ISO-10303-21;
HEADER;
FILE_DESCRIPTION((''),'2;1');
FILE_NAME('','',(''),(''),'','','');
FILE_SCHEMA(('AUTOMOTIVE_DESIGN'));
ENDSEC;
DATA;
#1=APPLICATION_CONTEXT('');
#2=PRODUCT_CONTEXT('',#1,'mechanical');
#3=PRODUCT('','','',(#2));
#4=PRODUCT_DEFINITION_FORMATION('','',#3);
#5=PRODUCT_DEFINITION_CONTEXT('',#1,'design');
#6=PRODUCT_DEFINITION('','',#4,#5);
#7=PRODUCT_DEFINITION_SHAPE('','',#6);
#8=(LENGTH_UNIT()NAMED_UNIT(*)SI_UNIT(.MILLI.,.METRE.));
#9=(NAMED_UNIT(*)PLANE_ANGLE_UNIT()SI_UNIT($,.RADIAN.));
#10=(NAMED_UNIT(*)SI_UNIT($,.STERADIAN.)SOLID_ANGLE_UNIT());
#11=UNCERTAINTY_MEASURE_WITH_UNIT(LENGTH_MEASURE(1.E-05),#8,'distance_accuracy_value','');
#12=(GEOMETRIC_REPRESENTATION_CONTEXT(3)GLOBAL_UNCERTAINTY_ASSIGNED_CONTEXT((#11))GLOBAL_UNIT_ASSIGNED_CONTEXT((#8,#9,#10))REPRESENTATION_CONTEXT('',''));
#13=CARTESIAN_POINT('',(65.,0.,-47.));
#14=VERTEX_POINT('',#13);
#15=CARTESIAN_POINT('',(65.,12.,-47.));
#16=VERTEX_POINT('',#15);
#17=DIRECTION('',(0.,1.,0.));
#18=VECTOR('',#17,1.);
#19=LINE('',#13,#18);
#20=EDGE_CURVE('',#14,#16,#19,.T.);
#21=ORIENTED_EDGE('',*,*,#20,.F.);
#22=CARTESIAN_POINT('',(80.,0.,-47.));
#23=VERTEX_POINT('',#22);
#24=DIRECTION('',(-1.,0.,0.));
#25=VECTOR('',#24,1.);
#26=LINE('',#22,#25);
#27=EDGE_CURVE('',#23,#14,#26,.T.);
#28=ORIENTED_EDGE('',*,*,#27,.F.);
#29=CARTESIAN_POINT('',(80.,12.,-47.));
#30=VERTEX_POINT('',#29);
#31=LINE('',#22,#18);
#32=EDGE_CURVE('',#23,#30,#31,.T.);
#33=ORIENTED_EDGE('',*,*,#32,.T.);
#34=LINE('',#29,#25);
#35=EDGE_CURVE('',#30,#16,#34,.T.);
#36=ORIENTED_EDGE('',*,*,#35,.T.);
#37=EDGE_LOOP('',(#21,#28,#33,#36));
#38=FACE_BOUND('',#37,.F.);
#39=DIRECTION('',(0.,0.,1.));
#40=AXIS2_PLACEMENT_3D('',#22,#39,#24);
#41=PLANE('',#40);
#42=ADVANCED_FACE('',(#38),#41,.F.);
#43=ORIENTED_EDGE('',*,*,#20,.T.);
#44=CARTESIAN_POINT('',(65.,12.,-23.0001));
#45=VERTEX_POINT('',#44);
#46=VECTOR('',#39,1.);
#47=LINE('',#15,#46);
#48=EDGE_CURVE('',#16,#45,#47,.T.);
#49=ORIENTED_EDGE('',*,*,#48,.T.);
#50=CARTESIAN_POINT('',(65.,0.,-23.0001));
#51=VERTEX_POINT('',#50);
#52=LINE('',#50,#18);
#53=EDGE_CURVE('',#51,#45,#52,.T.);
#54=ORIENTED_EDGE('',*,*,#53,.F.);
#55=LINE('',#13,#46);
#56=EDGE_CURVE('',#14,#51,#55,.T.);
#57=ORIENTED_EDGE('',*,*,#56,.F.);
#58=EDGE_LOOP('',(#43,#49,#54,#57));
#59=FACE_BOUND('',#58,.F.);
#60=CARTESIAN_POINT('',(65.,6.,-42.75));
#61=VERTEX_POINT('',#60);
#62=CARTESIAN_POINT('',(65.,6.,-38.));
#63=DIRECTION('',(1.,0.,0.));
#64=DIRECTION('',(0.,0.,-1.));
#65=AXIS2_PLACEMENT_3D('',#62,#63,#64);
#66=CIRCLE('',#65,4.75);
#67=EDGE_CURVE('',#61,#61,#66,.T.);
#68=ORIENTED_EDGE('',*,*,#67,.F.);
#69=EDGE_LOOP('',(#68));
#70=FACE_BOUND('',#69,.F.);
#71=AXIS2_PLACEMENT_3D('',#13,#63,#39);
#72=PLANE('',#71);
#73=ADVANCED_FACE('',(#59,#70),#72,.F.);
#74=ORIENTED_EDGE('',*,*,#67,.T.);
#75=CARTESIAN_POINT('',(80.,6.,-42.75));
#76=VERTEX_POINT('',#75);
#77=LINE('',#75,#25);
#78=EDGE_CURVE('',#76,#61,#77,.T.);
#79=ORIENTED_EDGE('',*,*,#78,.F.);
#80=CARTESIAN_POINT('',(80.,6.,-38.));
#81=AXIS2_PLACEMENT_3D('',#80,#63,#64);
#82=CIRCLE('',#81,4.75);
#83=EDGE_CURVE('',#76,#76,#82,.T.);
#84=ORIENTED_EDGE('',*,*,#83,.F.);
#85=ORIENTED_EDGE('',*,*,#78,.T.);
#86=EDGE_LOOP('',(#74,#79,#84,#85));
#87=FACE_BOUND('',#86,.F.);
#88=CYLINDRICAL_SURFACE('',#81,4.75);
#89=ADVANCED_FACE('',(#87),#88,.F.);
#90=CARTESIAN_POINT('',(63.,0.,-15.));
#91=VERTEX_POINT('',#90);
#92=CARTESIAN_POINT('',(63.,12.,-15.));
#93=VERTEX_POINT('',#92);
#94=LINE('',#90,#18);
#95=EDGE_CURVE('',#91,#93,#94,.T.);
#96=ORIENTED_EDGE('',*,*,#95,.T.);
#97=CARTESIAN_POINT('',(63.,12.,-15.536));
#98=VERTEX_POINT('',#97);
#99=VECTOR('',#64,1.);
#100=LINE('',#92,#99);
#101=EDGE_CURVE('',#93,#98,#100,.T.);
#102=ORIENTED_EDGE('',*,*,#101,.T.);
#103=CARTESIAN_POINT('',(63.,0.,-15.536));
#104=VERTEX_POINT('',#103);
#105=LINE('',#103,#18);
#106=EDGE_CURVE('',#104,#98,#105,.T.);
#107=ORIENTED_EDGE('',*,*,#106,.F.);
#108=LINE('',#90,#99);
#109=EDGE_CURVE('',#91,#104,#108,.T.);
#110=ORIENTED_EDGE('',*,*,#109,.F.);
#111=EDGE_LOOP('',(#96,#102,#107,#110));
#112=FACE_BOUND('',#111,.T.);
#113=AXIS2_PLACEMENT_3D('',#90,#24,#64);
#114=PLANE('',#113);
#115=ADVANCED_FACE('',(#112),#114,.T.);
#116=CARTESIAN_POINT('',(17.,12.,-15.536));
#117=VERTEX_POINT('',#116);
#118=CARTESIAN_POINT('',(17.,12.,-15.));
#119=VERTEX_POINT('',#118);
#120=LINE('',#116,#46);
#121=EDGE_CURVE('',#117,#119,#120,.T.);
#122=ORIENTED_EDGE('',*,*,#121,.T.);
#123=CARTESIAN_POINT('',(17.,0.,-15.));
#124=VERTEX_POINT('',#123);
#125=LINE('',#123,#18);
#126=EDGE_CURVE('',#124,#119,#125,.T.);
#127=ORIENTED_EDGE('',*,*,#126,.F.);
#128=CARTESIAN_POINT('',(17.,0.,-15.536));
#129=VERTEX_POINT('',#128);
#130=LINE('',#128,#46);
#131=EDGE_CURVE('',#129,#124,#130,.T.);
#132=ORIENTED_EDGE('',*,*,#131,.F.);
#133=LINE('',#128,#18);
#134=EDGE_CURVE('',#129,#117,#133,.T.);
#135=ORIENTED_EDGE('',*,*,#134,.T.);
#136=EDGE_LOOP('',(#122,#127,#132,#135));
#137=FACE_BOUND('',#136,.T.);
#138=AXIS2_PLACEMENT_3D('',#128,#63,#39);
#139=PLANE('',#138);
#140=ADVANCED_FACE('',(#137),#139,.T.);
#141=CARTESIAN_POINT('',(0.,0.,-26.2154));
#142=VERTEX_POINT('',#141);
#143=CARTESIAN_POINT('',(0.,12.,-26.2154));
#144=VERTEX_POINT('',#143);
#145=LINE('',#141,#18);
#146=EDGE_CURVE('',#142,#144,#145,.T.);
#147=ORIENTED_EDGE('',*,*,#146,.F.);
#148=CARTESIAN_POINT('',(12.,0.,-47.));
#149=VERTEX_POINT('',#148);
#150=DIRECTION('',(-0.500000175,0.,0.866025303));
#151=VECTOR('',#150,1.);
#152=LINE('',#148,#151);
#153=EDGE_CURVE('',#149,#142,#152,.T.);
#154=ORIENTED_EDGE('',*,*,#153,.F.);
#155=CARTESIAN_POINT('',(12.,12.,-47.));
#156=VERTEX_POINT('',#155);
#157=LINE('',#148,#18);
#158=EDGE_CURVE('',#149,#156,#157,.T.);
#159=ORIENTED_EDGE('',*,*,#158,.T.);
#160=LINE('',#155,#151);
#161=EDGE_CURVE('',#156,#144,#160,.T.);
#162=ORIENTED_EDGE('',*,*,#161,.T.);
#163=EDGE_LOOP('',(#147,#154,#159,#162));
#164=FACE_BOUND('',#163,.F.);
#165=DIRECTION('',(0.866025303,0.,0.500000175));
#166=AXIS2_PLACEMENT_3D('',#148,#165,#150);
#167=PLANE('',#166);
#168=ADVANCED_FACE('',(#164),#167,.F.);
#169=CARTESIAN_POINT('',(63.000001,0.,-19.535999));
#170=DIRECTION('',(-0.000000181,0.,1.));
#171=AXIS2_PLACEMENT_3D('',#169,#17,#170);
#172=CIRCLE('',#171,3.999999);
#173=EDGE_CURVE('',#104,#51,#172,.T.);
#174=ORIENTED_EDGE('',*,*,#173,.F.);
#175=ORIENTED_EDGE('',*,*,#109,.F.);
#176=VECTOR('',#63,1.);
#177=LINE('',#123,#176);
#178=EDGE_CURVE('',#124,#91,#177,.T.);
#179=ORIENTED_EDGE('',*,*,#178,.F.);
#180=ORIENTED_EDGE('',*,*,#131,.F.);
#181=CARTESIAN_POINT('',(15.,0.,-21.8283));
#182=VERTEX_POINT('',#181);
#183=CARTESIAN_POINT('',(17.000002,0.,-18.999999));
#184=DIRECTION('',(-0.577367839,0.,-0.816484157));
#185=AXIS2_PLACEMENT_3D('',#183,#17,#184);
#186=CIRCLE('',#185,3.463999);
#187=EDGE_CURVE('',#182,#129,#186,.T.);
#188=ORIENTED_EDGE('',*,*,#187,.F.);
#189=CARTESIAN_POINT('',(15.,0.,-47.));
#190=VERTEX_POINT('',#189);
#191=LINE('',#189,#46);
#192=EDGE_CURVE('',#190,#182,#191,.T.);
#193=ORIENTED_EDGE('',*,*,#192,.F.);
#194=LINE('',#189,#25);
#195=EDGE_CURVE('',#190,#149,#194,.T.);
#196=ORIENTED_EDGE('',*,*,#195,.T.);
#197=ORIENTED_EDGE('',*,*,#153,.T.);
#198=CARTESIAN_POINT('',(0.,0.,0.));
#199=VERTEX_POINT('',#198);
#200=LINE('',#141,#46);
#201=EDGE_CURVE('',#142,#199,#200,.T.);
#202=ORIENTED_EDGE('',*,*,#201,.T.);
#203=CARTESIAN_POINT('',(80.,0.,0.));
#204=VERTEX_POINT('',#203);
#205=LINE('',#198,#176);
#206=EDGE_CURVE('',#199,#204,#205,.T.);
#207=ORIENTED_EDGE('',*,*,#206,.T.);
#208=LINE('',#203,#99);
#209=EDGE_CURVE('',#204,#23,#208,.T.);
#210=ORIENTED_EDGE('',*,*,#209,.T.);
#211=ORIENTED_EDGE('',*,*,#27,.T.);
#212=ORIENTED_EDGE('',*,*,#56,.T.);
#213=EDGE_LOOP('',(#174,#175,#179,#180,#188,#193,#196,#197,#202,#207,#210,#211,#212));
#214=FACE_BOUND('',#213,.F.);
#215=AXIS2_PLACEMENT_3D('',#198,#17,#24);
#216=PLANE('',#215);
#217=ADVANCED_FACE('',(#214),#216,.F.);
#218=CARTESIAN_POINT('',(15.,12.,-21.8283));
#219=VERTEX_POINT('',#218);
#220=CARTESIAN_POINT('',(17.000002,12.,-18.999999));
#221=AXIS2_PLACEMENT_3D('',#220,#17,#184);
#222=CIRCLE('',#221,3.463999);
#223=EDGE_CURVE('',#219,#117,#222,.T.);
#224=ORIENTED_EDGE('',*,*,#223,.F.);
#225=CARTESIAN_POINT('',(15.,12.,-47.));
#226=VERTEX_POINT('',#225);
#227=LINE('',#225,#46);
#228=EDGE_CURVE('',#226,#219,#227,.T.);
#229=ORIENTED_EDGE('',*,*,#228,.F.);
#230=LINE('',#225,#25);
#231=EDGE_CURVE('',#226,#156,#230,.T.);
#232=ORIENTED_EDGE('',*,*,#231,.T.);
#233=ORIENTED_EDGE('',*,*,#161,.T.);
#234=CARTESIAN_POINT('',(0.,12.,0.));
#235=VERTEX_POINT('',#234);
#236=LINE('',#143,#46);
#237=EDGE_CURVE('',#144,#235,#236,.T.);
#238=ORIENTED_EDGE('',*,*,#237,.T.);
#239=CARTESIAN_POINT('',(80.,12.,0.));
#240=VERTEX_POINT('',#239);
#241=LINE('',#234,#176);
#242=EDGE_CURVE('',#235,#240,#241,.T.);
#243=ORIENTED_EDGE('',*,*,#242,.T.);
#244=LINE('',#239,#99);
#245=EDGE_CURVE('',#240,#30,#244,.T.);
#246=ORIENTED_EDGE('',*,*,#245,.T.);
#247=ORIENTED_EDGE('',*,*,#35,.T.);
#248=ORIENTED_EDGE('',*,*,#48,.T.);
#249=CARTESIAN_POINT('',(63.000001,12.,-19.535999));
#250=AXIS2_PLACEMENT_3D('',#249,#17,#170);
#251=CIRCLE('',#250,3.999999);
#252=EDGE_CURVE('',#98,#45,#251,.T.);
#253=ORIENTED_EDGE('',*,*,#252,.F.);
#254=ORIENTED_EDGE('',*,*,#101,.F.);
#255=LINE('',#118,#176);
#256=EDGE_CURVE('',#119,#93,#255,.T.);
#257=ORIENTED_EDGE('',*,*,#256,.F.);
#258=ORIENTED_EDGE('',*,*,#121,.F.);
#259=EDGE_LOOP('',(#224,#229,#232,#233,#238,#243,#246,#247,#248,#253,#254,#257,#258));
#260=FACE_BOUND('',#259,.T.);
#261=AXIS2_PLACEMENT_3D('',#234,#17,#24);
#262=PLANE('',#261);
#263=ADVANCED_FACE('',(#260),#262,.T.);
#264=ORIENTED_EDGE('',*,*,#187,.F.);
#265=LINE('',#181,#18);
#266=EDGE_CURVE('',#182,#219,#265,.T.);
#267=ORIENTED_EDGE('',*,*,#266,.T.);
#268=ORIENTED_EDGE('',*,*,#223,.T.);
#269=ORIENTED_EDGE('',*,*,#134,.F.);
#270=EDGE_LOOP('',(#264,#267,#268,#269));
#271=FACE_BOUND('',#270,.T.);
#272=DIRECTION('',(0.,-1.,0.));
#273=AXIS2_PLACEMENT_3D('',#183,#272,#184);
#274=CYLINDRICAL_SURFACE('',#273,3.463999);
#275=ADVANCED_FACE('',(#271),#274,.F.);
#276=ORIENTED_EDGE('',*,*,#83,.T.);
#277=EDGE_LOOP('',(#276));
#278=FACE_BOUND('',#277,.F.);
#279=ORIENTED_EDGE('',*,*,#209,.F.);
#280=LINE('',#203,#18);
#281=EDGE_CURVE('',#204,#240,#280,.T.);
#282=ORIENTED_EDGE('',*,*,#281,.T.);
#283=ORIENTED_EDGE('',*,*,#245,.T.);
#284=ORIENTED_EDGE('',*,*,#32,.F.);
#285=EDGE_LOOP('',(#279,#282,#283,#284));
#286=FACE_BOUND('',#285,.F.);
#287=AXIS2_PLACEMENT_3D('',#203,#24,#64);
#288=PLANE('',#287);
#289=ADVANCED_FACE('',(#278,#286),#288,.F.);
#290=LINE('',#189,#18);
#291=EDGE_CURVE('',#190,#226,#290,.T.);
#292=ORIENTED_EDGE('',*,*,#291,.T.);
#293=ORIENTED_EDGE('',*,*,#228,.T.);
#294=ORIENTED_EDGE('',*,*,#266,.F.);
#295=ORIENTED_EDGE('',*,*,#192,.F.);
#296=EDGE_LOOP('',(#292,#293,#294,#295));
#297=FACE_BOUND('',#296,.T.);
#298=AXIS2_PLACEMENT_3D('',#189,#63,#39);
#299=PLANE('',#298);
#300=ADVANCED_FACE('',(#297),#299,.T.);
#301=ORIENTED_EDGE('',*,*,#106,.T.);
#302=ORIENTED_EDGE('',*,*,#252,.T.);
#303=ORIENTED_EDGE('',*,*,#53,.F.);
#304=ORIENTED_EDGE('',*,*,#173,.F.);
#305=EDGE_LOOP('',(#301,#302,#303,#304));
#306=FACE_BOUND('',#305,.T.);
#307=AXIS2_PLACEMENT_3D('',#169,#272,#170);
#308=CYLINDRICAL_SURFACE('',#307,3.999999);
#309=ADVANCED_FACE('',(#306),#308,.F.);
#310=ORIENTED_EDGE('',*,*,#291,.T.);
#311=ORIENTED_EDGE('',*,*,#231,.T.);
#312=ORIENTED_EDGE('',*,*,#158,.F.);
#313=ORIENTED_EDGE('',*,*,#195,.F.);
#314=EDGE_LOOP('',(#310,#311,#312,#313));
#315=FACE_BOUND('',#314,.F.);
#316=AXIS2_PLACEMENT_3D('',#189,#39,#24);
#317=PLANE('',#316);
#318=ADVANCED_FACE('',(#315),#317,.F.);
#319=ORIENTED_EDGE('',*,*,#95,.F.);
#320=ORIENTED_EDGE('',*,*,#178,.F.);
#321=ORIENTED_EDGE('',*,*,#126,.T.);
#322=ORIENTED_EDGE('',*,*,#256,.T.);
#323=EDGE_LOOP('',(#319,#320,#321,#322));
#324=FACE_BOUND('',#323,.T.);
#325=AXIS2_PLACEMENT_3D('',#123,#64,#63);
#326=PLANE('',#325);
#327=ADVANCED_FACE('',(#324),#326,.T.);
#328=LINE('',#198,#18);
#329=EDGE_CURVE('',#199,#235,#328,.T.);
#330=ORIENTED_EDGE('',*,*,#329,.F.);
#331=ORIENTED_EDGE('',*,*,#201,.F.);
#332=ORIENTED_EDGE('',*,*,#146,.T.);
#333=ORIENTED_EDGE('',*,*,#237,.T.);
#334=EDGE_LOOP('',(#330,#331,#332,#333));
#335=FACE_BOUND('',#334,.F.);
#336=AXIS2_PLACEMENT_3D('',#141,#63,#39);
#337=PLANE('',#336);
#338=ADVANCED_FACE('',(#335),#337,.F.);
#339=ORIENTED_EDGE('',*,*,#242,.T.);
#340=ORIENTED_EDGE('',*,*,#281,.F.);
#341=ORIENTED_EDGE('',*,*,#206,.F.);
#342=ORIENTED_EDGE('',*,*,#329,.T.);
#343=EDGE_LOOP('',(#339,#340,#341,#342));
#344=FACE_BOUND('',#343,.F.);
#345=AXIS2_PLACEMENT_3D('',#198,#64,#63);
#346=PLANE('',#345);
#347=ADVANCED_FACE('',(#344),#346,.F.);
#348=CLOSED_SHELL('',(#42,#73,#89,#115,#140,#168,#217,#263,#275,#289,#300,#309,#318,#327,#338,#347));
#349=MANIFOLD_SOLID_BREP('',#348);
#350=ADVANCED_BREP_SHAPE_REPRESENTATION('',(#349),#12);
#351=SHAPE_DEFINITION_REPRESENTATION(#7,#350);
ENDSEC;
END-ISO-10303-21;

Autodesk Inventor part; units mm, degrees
ref_plane "YZ Plane" through (0, 0, 0) normal (1, 0, 0) x (0, 1, 0)
ref_plane "XZ Plane" through (0, 0, 0) normal (0, 1, 0) x (-1, 0, 0)
ref_plane "XY Plane" through (0, 0, 0) normal (0, 0, 1) x (1, 0, 0)
sketch "Boceto1" plane through (0, 0, 0) normal (0, 1, 0) x (-1, 0, 0)
  line L0 (0, 0) -> (-80, 0)
  line L1 (-80, 0) -> (-80, -47)
  line L2 (-80, -47) -> (-65, -47)
  arc A0 (-63, -15.536) -> (-65, -23.0001) centre (-63, -19.536) ccw
  line L3 (0, 0) -> (-28.6172, 0) construction
  arc A1 (-15, -21.8283) -> (-17, -15.536) centre (-17, -19) ccw
  line L4 (0, 0) -> (-17, 0) construction
  line L5 (-65, -47) -> (-65, -23.0001)
  line L6 (-15, -47) -> (-12, -47)
  line L7 (-12, -47) -> (0, -26.2154)
  line L8 (0, -26.2154) -> (0, 0)
  line L9 (-15, -47) -> (-15, -21.8283)
  line L10 (-17, -15.536) -> (-17, -15)
  line L11 (-17, -15) -> (-63, -15)
  line L12 (-63, -15) -> (-63, -15.536)
  dimension "d0" = 80
  dimension "d1" = 47
  dimension "d2" = 15
  dimension "d6" = 8
  dimension "d7" = 17
  dimension "d8" = 3
  dimension "d9" = 15
  dimension "d10" = 30
  dimension "d11" = 19
  dimension "d14" = 17
  dimension "d15" = 17
  dimension "d16" = 47
  dimension "d17" = 15
extrude "Extrusión1" add sketch "Boceto1" along normal blind 12
sketch "Boceto2" plane through (80, 0, 0) normal (1, 0, 0) x (0, 0, -1)
  line L0 (26.2154, 12) -> (0, 12) construction
  line L1 (0, 12) -> (0, 6) construction
  line L2 (0, 0) -> (0, 12) construction
  line L3 (0, 6) -> (47, 6) construction
  line L4 (47, 0) -> (47, 12) construction
  circle A0 centre (38, 6) radius 4.75
  dimension "d22" = 9.5
  dimension "d23" = 38
extrude "Extrusión2" cut sketch "Boceto2" against normal up to surface (15 mm away)
equation "\"Radio_pliegue\" = Grosor"
equation "\"Anchura_desahogo_plegado\" = Grosor"
equation "\"Profundidad_desahogo_plegado\" = 0.5 * Grosor"
equation "\"Tamaño_destalonado\" = 4 * Grosor"
equation "\"Remanente_mínimo\" = 2 * Grosor"
equation "\"Radiodetransición\" = Radio_pliegue"
equation "\"Tamaño_de_radio_de_Jacobi\" = Radio_pliegue"
equation "\"TamañoSeparación\" = Grosor"
equation "\"Grosor\" = 0.5"
properties part number "Practica 9"
